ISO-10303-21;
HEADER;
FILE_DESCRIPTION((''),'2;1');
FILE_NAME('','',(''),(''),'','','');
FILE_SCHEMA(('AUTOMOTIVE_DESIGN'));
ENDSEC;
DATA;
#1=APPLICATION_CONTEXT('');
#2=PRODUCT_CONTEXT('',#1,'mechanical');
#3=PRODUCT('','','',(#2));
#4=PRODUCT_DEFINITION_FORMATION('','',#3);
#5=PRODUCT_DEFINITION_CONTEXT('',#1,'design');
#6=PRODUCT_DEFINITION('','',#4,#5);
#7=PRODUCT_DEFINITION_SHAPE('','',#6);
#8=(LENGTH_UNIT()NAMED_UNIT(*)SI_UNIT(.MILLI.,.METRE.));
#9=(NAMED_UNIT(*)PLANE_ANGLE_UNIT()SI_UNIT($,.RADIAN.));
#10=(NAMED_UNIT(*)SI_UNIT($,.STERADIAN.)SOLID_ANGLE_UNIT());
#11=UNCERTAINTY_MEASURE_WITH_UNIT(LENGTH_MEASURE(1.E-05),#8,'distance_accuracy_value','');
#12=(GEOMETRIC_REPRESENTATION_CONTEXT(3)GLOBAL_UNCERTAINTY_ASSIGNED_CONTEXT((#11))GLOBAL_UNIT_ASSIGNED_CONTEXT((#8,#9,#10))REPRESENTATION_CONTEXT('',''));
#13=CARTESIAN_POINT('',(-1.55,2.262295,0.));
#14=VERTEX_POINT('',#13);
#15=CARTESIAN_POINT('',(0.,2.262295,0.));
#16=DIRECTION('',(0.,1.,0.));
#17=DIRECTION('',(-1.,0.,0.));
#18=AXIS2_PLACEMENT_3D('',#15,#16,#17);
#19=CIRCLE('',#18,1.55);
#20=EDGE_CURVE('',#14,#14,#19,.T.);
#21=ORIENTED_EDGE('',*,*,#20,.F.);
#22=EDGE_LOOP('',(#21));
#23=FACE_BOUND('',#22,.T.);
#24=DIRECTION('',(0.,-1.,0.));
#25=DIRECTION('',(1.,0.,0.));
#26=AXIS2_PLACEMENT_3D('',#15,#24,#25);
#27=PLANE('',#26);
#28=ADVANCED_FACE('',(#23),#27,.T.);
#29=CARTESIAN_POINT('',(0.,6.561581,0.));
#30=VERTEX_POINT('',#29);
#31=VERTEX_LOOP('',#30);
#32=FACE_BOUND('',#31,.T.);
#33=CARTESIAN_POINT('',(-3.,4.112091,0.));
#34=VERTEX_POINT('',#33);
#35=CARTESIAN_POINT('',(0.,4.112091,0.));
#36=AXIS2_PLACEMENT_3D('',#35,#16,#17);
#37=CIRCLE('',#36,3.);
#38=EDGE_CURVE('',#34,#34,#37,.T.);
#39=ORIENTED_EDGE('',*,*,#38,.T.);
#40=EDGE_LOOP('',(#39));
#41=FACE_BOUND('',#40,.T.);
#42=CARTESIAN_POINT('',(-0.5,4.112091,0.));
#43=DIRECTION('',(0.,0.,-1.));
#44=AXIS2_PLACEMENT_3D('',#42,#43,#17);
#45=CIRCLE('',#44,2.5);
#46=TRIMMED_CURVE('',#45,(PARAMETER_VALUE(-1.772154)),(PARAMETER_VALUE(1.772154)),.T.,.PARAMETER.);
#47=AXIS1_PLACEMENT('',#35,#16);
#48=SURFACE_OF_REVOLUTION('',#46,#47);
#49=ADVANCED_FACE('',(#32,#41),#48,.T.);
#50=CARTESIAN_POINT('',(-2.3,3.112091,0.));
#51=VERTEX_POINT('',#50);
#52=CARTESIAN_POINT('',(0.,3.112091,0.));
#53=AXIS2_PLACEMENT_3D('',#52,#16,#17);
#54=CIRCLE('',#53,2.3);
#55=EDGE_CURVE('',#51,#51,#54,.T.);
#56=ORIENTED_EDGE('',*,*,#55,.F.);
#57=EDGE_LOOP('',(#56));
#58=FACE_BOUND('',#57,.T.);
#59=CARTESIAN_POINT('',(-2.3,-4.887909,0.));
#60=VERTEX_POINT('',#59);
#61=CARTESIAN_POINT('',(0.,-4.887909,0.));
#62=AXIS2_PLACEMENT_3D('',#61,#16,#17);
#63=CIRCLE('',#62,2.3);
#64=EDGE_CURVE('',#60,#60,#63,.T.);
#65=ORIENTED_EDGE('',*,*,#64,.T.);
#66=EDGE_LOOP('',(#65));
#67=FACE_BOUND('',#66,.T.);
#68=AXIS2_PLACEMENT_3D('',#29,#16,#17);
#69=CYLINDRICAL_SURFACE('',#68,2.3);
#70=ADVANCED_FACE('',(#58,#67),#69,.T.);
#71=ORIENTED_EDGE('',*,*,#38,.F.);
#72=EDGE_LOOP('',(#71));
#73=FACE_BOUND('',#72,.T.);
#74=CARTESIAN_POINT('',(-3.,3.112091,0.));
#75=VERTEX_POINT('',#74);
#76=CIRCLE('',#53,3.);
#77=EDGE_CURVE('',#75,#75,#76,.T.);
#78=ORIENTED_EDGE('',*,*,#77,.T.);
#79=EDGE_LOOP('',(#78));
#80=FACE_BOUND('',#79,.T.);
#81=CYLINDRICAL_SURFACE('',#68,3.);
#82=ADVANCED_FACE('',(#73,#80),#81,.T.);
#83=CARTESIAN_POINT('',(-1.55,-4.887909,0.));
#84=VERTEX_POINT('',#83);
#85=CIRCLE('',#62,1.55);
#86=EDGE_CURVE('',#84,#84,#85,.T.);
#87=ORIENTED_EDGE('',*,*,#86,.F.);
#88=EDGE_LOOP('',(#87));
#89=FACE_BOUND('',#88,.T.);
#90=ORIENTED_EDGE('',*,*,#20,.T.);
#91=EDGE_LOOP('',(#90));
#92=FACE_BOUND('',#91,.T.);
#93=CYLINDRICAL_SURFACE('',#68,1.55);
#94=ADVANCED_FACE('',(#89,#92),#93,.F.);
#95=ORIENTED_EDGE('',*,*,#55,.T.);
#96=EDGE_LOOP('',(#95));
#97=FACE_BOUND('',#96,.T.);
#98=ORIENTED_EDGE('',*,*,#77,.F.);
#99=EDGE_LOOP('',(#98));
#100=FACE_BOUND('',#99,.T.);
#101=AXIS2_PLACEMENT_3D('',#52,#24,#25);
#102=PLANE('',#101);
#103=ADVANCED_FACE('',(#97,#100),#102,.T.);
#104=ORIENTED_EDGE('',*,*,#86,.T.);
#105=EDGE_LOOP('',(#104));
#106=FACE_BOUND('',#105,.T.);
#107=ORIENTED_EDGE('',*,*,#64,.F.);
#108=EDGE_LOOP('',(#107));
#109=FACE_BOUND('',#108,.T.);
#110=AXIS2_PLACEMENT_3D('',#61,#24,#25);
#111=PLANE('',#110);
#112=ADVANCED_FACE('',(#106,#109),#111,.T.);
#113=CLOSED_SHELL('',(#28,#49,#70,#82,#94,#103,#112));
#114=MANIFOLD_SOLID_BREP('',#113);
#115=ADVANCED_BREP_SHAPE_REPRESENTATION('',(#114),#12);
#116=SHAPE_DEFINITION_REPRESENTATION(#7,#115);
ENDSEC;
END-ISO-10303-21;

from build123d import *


with BuildPart() as part:
    # Sketch1 → Revolve1 (revolve)
    with BuildSketch(Plane.XY):
        with BuildLine():
            Line((-3, 3.11209092), (-2.3, 3.11209092))
            Line((-2.3, 3.11209092), (-2.3, -4.88790908))
            Line((-2.3, -4.88790908), (-1.55, -4.88790908))
            Line((-1.55, -4.88790908), (-1.55, 2.262295082))
            Line((-1.55, 2.262295082), (0, 2.262295082))
            Line((0, 2.262295082), (0, 6.561580663))
            ThreePointArc((0, 6.561580663), (-2.08113883, 6.048582593), (-3, 4.11209092))
            Line((-3, 4.11209092), (-3, 3.11209092))
        make_face()
    revolve(axis=Axis((0, 6.561580663, 0), (0, -1, 0)))


solid = part.part
